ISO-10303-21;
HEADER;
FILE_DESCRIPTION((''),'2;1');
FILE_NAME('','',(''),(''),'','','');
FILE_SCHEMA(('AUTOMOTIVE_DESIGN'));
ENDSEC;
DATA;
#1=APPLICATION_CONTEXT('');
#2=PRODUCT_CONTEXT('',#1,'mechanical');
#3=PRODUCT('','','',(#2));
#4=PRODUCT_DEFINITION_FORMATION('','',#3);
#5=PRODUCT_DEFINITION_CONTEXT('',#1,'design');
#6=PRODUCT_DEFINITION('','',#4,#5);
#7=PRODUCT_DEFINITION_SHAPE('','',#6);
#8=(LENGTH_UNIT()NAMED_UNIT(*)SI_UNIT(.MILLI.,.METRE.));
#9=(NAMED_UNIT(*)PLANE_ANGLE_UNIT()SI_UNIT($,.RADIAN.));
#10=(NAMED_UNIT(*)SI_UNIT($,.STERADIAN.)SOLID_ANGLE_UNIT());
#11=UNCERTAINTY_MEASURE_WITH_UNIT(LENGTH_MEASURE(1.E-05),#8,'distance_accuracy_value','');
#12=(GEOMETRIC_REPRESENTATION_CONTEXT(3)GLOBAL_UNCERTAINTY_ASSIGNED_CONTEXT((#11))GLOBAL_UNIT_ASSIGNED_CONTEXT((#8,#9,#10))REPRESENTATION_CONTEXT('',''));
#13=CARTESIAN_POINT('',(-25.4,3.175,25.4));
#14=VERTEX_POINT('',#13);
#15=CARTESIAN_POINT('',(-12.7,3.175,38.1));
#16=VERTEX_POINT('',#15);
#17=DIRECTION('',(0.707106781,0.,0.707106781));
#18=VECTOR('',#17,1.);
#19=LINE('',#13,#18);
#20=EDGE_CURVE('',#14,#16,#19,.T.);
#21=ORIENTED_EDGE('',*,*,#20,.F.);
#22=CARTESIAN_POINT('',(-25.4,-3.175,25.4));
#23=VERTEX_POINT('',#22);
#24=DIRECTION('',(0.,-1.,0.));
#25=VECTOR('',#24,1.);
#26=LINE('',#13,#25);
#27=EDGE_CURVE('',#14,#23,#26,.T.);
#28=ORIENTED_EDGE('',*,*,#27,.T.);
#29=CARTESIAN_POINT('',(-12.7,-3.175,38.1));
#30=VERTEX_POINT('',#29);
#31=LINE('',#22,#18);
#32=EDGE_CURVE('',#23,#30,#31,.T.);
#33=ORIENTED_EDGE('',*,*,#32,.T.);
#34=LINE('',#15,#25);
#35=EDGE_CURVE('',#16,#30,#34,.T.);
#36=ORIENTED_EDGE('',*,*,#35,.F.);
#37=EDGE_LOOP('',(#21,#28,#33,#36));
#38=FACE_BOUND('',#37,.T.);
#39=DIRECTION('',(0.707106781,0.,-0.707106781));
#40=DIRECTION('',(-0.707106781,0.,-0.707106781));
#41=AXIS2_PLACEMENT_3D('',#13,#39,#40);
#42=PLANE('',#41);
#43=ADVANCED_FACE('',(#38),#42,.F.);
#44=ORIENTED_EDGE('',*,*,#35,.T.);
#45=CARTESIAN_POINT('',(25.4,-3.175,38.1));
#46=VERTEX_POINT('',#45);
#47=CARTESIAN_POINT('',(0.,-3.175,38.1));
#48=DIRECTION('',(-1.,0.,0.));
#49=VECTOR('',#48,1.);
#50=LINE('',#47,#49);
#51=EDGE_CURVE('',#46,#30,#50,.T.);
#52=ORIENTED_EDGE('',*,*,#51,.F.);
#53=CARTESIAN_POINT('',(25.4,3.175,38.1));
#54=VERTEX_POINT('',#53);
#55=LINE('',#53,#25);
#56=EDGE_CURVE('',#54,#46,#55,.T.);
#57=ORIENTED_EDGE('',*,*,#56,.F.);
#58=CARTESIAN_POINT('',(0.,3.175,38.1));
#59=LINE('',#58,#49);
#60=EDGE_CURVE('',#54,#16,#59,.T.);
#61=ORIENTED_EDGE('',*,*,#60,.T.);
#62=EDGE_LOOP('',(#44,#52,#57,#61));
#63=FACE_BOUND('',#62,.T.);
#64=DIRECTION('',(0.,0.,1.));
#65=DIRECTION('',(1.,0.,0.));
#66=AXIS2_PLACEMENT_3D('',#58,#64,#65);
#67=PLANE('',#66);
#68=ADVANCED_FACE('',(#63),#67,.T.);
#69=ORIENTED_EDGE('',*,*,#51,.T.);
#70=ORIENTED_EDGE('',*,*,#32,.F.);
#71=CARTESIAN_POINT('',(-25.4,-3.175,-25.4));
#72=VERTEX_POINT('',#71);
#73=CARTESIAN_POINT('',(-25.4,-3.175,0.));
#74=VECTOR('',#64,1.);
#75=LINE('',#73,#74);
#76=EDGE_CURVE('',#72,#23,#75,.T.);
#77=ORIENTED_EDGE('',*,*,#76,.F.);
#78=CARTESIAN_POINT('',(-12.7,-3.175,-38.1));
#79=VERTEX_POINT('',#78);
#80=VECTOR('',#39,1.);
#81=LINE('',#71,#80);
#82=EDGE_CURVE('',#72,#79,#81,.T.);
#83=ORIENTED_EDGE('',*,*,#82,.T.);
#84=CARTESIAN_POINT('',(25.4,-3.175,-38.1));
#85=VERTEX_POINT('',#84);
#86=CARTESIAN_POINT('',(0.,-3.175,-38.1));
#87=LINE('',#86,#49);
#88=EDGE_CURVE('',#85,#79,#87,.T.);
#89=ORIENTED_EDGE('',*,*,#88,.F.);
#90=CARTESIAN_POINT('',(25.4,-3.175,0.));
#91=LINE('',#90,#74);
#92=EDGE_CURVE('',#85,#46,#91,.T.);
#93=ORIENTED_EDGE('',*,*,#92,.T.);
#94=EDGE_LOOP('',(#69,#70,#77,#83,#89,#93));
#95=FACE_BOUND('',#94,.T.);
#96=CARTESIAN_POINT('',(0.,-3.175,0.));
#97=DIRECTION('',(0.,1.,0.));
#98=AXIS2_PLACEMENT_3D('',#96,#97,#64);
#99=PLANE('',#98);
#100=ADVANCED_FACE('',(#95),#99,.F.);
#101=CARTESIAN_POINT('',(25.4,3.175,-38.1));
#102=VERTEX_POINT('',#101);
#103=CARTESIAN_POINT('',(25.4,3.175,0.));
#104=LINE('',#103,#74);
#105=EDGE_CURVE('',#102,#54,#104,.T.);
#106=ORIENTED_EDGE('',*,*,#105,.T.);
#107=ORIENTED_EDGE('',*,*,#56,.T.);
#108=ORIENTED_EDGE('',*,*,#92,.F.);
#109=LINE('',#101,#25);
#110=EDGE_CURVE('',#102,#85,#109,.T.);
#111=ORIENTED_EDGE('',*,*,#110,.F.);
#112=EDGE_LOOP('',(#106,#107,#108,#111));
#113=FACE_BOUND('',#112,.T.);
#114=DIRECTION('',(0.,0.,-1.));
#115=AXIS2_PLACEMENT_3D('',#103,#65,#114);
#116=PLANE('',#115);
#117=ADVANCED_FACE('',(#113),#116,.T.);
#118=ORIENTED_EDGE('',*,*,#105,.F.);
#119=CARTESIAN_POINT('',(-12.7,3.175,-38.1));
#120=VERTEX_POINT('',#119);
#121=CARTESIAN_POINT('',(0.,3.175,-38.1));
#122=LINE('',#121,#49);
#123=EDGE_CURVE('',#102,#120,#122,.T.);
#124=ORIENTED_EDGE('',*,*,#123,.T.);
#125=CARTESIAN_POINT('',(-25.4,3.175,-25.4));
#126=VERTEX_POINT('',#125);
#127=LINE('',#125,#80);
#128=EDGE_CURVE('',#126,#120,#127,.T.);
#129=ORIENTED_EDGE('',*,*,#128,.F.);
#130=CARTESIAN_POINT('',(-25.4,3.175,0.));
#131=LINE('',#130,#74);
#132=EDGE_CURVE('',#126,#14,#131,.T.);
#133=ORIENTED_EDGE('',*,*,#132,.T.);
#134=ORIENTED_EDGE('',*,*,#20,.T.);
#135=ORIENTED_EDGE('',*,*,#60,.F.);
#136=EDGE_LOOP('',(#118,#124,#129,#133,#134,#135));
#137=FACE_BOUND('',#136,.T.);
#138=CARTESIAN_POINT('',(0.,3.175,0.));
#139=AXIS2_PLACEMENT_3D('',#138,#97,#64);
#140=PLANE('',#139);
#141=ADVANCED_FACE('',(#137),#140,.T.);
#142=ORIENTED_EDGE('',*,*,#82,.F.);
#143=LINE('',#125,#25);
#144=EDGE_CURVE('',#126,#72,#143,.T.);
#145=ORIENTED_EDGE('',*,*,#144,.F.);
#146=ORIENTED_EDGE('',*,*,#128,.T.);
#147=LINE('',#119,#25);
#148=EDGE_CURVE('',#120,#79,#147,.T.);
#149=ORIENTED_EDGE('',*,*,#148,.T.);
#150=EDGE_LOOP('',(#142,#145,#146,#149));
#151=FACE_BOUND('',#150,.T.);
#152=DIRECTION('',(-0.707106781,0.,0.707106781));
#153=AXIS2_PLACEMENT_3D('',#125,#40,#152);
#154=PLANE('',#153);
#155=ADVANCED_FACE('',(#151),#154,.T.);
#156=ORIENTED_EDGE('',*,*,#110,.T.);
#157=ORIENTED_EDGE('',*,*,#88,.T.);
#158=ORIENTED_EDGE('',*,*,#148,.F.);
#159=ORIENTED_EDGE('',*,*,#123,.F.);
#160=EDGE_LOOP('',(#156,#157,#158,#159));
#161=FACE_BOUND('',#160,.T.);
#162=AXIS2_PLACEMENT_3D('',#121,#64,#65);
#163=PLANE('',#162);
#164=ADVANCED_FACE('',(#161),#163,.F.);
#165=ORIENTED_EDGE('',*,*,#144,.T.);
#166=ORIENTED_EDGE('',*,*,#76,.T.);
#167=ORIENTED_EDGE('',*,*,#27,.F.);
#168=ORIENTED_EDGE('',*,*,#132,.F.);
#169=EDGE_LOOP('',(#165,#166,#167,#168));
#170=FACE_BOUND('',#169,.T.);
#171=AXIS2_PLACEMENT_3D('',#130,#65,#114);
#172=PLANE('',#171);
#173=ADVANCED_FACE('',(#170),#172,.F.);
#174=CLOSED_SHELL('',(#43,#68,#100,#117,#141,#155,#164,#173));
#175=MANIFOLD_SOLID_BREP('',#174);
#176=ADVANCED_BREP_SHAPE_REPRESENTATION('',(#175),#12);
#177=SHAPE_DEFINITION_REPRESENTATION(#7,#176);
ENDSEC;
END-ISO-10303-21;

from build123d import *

# Parameters (mm, degrees)
BOSS_EXTRUDE1_DEPTH = 3.175


with BuildPart() as part:
    # Sketch1 → Boss-Extrude1 (new, symmetric)
    with BuildSketch(Plane(origin=(0, 0, 0), x_dir=(1, 0, 0), z_dir=(0, 1, 0))):
        Polygon((-12.7, 38.1), (-25.4, 25.4), (-25.4, -25.4), (-12.7, -38.1), (25.4, -38.1), (25.4, 38.1), align=None)
    extrude(amount=BOSS_EXTRUDE1_DEPTH, both=True)


solid = part.part
